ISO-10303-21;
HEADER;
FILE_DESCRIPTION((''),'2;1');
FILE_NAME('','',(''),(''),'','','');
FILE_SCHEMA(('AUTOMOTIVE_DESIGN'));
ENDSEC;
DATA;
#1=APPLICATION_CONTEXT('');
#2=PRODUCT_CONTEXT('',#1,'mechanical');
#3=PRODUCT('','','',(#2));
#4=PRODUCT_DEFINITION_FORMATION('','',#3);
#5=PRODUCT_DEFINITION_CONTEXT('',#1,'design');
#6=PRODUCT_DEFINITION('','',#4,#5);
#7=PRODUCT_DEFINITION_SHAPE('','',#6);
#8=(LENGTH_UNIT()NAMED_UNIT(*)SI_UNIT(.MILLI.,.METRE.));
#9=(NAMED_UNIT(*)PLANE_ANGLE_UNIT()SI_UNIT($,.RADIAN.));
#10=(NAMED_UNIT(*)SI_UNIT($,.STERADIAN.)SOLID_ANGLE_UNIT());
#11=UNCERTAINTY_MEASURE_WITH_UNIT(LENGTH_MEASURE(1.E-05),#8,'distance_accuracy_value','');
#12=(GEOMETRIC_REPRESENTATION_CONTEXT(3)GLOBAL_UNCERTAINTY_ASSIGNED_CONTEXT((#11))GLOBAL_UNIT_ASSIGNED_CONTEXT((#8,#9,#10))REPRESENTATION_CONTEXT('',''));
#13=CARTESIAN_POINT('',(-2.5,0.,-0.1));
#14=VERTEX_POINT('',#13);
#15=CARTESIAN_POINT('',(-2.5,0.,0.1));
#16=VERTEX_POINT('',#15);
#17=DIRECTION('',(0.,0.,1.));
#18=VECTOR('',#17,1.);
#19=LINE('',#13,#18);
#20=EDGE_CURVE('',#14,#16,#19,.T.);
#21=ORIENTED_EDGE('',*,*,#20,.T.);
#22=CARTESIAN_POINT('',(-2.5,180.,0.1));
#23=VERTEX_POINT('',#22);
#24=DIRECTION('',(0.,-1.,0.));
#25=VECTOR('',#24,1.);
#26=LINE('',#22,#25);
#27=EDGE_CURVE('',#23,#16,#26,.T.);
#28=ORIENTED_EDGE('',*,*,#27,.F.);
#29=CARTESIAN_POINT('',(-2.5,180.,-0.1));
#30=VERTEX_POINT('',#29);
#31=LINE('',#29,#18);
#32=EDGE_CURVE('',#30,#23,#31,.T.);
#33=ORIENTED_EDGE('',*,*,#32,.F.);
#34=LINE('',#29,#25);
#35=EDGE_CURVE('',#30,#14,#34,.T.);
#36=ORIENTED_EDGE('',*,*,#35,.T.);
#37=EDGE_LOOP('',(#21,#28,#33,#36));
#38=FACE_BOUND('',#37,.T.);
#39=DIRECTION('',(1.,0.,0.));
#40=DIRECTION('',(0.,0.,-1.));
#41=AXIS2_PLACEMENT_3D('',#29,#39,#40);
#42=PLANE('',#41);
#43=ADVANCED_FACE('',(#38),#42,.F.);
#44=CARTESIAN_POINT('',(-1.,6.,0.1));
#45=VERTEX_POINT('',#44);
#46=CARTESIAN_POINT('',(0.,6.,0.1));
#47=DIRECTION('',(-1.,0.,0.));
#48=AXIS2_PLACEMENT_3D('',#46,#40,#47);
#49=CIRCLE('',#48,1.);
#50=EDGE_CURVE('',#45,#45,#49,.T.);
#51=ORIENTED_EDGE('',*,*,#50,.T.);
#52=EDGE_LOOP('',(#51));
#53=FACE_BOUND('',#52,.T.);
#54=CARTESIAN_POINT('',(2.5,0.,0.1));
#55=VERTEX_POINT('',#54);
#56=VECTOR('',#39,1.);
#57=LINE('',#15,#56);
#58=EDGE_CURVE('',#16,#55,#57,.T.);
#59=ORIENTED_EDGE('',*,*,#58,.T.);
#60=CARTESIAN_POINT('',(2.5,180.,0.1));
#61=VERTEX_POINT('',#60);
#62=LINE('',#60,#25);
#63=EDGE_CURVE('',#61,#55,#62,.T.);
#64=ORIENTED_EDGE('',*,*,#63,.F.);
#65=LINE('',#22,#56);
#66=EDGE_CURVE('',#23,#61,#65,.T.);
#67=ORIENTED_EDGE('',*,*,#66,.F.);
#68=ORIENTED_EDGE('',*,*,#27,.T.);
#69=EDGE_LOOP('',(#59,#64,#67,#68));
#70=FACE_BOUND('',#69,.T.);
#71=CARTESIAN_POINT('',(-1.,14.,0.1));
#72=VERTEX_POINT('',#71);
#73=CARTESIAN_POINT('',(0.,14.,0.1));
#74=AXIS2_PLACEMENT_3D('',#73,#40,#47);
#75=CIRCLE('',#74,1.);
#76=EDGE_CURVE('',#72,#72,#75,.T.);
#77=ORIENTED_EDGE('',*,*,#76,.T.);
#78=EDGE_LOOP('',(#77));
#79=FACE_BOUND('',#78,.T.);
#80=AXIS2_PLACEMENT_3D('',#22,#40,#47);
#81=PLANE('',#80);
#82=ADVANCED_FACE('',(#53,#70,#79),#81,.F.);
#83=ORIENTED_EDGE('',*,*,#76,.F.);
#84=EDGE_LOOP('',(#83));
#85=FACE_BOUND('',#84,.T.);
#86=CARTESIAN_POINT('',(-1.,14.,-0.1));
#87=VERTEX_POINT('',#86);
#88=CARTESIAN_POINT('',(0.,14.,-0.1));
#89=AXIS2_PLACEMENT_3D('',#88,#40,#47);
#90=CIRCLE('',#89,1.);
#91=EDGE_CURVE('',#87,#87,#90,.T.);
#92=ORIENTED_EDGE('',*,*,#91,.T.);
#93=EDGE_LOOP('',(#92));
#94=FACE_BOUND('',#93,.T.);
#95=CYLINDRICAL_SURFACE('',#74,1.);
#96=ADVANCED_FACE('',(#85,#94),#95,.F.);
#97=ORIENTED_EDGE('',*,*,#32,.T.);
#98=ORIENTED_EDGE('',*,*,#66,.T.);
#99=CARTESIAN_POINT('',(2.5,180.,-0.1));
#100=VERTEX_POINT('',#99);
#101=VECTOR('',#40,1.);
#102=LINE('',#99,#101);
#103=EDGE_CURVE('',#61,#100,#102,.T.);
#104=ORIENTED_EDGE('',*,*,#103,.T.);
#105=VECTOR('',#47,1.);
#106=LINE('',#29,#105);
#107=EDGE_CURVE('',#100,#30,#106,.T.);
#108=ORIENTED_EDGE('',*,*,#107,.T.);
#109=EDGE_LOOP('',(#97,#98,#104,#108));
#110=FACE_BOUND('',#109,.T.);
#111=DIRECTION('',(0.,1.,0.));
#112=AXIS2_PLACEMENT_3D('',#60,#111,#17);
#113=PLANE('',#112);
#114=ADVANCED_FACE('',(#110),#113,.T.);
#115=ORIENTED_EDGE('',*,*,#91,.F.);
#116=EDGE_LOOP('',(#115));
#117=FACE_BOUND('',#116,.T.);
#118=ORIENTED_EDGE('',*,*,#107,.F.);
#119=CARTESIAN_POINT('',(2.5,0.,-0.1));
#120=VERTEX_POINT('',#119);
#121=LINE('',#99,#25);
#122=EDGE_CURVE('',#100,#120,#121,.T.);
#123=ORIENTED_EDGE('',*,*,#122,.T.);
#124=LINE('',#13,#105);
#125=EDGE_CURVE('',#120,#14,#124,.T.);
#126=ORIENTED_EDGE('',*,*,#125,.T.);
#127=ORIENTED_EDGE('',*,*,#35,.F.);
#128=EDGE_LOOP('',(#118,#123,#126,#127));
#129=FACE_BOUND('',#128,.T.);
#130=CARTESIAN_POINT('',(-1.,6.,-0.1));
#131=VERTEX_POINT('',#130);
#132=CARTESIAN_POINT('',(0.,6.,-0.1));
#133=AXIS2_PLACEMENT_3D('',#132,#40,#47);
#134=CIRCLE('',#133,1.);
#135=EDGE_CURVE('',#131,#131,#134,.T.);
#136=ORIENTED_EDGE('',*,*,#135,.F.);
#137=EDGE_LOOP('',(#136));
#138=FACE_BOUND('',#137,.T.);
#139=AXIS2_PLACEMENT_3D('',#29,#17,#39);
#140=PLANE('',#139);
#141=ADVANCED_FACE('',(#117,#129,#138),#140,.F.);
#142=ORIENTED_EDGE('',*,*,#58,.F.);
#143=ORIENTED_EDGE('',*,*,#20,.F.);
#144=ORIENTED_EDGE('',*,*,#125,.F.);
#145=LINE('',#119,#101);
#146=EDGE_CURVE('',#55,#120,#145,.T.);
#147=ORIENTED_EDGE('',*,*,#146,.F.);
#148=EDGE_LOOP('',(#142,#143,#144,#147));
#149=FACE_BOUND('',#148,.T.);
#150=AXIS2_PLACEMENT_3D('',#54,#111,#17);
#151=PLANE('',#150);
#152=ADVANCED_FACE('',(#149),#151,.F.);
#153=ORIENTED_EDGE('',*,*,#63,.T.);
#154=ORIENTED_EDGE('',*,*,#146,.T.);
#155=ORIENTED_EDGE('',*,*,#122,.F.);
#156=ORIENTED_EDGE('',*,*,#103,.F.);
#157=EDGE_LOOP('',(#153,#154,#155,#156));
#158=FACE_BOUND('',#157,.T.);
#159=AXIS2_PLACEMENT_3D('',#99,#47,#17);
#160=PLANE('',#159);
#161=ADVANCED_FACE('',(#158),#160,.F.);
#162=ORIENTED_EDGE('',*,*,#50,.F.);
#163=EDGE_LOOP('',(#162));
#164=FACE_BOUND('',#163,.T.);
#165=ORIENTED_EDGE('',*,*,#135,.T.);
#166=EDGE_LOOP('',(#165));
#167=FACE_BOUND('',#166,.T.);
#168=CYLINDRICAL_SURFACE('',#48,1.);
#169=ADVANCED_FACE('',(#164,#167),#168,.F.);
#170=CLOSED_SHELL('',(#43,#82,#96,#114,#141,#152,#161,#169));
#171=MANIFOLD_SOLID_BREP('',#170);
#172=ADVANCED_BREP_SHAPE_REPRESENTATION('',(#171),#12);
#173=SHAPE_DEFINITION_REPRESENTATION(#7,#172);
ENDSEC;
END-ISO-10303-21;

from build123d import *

# Parameters (mm, degrees)
SKETCH1_W           = 5
SKETCH1_H           = 0.2
BOSS_EXTRUDE1_DEPTH = 180
SKETCH2_R           = 1
CUT_EXTRUDE1_DEPTH  = 181.017471374


with BuildPart() as part:
    # Sketch1 → Boss-Extrude1 (new body)
    with BuildSketch(Plane(origin=(0, 0, 0), x_dir=(1, 0, 0), z_dir=(0, 1, 0))):
        Rectangle(SKETCH1_W, SKETCH1_H)
    extrude(amount=BOSS_EXTRUDE1_DEPTH)

    # Sketch2 → Cut-Extrude1 (cut, through all)
    with BuildSketch(Plane(origin=(0, 0, -0.1), x_dir=(-1, 0, 0), z_dir=(0, 0, -1))):
        with Locations((0, 6)):
            Circle(SKETCH2_R)
        with Locations((0, 14)):
            Circle(SKETCH2_R)
    extrude(amount=-CUT_EXTRUDE1_DEPTH, mode=Mode.SUBTRACT)


solid = part.part
